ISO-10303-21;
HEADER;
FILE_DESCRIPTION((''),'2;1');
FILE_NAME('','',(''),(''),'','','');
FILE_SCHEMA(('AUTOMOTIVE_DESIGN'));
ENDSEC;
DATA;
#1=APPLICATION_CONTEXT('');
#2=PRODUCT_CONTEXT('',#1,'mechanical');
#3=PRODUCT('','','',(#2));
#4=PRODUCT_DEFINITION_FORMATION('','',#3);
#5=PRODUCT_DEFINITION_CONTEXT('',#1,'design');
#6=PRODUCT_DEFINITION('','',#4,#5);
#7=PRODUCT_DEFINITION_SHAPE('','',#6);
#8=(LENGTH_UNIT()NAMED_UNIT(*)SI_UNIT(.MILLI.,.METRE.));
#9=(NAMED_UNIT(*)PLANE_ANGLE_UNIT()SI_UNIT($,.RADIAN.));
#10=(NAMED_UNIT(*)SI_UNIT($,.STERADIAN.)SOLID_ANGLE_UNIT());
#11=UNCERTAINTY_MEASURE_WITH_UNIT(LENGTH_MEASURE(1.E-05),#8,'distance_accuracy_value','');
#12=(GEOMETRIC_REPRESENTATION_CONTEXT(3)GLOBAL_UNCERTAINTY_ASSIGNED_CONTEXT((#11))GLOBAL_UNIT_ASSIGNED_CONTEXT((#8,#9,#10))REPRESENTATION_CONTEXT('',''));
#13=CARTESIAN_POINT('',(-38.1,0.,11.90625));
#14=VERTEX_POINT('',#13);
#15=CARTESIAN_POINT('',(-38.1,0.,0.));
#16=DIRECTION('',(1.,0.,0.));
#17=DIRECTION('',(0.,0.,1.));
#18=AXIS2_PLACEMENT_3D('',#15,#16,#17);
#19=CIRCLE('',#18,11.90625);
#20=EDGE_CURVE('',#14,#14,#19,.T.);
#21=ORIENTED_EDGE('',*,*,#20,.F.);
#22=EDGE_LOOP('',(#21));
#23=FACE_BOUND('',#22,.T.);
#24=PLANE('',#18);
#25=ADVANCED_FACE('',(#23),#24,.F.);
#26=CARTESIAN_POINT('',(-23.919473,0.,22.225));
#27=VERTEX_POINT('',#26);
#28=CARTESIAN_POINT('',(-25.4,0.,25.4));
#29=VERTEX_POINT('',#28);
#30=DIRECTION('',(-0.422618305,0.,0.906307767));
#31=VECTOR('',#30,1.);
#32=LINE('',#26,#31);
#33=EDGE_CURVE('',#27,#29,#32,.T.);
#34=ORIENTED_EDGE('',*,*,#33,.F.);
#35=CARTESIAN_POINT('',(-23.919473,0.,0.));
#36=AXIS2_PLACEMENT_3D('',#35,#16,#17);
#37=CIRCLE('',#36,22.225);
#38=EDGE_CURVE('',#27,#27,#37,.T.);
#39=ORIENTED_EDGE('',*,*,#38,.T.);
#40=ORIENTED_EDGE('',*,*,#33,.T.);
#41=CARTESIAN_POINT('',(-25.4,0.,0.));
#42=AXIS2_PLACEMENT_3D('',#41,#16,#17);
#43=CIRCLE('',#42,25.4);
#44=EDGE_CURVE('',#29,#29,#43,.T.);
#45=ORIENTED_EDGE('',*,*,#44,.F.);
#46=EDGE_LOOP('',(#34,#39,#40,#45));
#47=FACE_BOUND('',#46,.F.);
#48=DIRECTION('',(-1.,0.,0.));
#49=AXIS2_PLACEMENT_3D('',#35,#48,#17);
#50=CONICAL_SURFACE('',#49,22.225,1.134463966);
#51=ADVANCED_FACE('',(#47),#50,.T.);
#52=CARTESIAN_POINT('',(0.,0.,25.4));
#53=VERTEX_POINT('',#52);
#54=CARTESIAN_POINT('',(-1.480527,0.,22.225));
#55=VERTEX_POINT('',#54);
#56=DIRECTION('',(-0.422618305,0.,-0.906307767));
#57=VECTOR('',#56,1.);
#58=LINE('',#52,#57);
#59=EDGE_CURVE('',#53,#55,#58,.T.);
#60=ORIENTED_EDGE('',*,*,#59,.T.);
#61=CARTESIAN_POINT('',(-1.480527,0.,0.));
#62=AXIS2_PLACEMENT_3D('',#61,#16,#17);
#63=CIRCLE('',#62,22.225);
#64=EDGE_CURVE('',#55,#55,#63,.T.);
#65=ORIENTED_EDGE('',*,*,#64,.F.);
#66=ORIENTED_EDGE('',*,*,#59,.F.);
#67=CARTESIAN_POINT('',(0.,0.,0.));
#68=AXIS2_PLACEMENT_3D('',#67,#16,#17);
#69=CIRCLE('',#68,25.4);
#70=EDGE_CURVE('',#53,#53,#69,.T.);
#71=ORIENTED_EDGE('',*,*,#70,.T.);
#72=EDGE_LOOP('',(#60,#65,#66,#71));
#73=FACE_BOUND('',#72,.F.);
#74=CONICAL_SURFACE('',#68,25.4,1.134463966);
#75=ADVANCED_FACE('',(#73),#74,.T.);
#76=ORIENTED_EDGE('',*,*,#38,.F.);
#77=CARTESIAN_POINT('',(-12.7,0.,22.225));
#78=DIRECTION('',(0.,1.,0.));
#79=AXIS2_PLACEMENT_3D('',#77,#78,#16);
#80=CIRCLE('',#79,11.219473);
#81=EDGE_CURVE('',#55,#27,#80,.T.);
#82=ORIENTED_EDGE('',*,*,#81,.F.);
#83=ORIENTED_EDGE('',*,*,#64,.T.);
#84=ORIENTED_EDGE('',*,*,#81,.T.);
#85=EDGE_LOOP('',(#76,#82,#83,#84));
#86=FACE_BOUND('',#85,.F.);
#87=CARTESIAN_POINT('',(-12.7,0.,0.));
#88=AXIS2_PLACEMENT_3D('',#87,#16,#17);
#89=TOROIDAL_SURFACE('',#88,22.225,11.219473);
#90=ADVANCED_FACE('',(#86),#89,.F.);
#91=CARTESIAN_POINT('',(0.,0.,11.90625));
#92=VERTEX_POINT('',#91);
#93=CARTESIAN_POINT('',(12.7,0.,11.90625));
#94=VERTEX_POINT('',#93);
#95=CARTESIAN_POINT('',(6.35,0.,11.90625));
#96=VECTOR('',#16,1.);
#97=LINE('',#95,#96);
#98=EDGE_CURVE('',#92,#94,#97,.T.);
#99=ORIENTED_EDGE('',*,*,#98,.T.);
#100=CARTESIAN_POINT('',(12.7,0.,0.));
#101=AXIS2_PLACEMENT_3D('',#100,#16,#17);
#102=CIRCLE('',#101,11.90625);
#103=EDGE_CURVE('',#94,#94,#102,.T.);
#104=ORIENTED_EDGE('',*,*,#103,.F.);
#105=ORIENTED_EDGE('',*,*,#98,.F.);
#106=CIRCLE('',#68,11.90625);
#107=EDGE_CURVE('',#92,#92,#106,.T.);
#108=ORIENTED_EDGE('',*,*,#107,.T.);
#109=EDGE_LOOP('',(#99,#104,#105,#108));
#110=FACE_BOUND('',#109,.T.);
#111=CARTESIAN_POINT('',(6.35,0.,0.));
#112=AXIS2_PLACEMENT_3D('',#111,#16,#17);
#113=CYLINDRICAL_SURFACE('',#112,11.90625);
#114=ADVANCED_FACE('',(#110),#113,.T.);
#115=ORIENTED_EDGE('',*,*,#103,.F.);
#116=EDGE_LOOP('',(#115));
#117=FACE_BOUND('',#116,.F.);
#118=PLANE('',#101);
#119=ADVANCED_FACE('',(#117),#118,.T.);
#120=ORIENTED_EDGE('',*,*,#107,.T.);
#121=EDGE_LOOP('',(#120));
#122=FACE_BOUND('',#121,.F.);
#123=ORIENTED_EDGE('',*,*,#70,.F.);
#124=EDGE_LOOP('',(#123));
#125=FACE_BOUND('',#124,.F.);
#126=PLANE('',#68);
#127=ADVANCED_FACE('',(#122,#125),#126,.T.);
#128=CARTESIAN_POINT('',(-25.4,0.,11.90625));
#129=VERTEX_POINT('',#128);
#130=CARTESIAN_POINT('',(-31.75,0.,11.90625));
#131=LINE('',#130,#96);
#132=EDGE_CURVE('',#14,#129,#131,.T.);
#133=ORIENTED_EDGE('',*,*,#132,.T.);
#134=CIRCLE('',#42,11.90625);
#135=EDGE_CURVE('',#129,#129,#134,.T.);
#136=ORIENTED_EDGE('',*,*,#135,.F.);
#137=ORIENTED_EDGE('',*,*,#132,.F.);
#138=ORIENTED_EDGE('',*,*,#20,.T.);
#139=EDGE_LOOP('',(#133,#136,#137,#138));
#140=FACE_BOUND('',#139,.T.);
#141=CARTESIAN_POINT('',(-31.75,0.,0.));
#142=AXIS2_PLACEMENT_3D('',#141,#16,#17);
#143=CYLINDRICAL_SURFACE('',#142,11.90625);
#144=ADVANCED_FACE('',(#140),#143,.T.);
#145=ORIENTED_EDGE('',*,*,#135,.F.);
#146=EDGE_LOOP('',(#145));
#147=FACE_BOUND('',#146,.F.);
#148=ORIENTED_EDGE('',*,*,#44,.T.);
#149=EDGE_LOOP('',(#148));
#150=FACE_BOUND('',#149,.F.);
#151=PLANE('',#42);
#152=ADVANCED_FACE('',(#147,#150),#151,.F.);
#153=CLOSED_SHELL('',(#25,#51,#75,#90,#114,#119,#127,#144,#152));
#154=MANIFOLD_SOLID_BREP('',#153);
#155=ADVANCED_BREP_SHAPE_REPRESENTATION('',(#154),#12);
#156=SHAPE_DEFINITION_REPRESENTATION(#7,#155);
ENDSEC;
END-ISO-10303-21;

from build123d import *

# Parameters (mm, degrees)
F0_W = 12.7
F0_H = 11.90625


with BuildPart() as f1:
    # F0 (on Front) → F1 (revolve)
    with BuildSketch(Plane.XZ):
        with Locations((-31.75, 5.953125)):
            Rectangle(F0_W, F0_H)
        with BuildLine():
            Line((-25.4, 11.90625), (-25.4, 0))
            Line((-25.4, 0), (0, 0))
            Line((0, 0), (0, 11.90625))
            Line((0, 11.90625), (0, 25.4))
            Line((0, 25.4), (-1.480527, 22.225))
            ThreePointArc((-1.480527, 22.225), (-12.7, 11.005527), (-23.919473, 22.225))
            Line((-23.919473, 22.225), (-25.4, 25.4))
            Line((-25.4, 25.4), (-25.4, 11.90625))
        make_face()
        with Locations((6.35, 5.953125)):
            Rectangle(F0_W, F0_H)
    revolve(axis=Axis((-11.84914, 0, 0), (1, 0, 0)))


solid = f1.part
